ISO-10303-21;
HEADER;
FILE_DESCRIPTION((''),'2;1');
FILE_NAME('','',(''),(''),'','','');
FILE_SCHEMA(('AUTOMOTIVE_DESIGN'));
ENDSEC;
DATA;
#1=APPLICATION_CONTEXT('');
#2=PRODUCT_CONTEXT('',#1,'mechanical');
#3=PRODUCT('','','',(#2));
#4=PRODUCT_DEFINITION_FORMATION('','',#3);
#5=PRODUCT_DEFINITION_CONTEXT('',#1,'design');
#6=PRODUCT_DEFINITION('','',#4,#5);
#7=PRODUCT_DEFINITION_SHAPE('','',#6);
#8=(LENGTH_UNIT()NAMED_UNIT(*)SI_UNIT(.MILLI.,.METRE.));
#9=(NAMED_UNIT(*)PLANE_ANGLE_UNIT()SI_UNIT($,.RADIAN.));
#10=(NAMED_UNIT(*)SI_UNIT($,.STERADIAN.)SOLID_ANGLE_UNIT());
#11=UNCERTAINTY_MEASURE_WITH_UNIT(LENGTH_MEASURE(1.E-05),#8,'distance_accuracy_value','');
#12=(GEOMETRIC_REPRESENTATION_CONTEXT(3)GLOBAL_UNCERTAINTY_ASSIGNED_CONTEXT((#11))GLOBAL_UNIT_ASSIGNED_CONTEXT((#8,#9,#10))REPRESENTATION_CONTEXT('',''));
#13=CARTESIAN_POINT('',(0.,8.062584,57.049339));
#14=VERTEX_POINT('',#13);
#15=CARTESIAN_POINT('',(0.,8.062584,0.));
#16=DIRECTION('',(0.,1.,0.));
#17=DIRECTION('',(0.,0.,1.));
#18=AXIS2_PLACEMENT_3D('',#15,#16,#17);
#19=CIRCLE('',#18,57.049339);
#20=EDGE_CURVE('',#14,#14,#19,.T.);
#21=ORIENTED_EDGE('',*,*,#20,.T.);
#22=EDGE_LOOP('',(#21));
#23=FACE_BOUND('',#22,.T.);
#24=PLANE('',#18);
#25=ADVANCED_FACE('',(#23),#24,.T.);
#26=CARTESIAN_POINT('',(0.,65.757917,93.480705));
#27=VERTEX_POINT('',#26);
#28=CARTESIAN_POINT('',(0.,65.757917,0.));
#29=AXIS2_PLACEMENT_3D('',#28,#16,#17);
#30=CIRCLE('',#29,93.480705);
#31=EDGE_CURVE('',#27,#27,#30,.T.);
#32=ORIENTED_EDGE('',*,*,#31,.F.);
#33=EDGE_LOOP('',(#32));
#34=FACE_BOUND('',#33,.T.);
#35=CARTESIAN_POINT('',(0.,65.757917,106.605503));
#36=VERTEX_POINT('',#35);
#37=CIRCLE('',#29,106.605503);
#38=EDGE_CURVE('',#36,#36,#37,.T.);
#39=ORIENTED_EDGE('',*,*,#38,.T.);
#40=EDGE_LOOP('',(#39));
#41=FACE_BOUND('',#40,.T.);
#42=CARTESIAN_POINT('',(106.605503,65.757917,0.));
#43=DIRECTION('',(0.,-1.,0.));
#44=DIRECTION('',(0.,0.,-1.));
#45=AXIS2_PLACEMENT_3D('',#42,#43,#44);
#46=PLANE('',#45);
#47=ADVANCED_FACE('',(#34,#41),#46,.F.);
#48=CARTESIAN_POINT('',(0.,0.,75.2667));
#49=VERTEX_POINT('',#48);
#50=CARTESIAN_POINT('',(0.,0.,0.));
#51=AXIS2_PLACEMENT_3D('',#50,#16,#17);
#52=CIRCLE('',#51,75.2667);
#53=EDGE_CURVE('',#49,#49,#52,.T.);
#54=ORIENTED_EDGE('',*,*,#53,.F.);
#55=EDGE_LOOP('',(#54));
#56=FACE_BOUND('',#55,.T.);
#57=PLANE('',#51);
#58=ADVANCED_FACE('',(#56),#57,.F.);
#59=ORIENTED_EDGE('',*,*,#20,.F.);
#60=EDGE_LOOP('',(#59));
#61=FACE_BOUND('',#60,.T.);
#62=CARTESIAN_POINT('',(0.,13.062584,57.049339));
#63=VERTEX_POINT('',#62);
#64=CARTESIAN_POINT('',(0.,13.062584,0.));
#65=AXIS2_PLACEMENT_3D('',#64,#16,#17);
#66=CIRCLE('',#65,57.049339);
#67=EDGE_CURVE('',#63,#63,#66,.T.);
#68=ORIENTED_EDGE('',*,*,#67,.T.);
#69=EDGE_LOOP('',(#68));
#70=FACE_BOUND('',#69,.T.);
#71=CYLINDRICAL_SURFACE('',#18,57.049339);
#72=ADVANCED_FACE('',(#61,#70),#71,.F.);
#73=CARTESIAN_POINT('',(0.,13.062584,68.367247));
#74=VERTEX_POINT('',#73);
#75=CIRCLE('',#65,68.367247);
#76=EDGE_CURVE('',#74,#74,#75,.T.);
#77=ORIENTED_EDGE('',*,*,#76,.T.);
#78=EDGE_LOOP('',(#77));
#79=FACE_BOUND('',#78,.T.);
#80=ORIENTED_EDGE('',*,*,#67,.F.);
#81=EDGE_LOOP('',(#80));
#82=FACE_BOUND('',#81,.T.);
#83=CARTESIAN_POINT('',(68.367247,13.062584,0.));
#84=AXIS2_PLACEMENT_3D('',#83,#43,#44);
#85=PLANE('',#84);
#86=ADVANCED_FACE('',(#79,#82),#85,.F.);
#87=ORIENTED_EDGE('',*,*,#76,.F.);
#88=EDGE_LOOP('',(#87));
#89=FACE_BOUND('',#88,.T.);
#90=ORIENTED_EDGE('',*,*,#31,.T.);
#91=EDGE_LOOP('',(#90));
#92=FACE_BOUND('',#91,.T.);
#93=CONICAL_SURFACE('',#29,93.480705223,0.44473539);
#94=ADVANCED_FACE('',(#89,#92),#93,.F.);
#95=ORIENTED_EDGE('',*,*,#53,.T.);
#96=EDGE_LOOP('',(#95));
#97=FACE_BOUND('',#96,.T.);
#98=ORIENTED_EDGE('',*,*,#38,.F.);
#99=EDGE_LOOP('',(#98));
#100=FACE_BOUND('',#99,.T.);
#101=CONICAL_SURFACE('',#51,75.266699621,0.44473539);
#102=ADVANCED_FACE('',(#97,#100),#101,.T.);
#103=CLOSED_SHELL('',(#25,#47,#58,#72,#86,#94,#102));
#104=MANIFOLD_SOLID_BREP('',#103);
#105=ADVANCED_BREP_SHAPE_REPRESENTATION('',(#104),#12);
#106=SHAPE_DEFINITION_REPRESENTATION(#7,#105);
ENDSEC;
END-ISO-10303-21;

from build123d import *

# Parameters (mm, degrees)
SKETCH2_R          = 57.049339495
CUT_EXTRUDE1_DEPTH = 5


with BuildPart() as part:
    # Sketch1 → Revolve1 (revolve)
    with BuildSketch(Plane.XY, mode=Mode.PRIVATE) as revolve1_sk:
        Polygon((0, 0), (75.266699621, 0), (106.605503378, 65.757917285), (93.480705223, 65.757917285), (68.367246776, 13.062583534), (0, 13.062583534), align=None)
    revolve(revolve1_sk.sketch.rotate(Axis((0, 73.257801944, 0), (0, -1, 0)), 90), axis=Axis((0, 73.257801944, 0), (0, -1, 0)))

    # Sketch2 → Cut-Extrude1 (cut)
    with BuildSketch(Plane(origin=(0, 13.062583534, 0), x_dir=(1, 0, 0), z_dir=(0, 1, 0))):
        with Locations(Location((0, 0, 0), (0, 0, 270))):
            Circle(SKETCH2_R)
    extrude(amount=-CUT_EXTRUDE1_DEPTH, mode=Mode.SUBTRACT)


solid = part.part
